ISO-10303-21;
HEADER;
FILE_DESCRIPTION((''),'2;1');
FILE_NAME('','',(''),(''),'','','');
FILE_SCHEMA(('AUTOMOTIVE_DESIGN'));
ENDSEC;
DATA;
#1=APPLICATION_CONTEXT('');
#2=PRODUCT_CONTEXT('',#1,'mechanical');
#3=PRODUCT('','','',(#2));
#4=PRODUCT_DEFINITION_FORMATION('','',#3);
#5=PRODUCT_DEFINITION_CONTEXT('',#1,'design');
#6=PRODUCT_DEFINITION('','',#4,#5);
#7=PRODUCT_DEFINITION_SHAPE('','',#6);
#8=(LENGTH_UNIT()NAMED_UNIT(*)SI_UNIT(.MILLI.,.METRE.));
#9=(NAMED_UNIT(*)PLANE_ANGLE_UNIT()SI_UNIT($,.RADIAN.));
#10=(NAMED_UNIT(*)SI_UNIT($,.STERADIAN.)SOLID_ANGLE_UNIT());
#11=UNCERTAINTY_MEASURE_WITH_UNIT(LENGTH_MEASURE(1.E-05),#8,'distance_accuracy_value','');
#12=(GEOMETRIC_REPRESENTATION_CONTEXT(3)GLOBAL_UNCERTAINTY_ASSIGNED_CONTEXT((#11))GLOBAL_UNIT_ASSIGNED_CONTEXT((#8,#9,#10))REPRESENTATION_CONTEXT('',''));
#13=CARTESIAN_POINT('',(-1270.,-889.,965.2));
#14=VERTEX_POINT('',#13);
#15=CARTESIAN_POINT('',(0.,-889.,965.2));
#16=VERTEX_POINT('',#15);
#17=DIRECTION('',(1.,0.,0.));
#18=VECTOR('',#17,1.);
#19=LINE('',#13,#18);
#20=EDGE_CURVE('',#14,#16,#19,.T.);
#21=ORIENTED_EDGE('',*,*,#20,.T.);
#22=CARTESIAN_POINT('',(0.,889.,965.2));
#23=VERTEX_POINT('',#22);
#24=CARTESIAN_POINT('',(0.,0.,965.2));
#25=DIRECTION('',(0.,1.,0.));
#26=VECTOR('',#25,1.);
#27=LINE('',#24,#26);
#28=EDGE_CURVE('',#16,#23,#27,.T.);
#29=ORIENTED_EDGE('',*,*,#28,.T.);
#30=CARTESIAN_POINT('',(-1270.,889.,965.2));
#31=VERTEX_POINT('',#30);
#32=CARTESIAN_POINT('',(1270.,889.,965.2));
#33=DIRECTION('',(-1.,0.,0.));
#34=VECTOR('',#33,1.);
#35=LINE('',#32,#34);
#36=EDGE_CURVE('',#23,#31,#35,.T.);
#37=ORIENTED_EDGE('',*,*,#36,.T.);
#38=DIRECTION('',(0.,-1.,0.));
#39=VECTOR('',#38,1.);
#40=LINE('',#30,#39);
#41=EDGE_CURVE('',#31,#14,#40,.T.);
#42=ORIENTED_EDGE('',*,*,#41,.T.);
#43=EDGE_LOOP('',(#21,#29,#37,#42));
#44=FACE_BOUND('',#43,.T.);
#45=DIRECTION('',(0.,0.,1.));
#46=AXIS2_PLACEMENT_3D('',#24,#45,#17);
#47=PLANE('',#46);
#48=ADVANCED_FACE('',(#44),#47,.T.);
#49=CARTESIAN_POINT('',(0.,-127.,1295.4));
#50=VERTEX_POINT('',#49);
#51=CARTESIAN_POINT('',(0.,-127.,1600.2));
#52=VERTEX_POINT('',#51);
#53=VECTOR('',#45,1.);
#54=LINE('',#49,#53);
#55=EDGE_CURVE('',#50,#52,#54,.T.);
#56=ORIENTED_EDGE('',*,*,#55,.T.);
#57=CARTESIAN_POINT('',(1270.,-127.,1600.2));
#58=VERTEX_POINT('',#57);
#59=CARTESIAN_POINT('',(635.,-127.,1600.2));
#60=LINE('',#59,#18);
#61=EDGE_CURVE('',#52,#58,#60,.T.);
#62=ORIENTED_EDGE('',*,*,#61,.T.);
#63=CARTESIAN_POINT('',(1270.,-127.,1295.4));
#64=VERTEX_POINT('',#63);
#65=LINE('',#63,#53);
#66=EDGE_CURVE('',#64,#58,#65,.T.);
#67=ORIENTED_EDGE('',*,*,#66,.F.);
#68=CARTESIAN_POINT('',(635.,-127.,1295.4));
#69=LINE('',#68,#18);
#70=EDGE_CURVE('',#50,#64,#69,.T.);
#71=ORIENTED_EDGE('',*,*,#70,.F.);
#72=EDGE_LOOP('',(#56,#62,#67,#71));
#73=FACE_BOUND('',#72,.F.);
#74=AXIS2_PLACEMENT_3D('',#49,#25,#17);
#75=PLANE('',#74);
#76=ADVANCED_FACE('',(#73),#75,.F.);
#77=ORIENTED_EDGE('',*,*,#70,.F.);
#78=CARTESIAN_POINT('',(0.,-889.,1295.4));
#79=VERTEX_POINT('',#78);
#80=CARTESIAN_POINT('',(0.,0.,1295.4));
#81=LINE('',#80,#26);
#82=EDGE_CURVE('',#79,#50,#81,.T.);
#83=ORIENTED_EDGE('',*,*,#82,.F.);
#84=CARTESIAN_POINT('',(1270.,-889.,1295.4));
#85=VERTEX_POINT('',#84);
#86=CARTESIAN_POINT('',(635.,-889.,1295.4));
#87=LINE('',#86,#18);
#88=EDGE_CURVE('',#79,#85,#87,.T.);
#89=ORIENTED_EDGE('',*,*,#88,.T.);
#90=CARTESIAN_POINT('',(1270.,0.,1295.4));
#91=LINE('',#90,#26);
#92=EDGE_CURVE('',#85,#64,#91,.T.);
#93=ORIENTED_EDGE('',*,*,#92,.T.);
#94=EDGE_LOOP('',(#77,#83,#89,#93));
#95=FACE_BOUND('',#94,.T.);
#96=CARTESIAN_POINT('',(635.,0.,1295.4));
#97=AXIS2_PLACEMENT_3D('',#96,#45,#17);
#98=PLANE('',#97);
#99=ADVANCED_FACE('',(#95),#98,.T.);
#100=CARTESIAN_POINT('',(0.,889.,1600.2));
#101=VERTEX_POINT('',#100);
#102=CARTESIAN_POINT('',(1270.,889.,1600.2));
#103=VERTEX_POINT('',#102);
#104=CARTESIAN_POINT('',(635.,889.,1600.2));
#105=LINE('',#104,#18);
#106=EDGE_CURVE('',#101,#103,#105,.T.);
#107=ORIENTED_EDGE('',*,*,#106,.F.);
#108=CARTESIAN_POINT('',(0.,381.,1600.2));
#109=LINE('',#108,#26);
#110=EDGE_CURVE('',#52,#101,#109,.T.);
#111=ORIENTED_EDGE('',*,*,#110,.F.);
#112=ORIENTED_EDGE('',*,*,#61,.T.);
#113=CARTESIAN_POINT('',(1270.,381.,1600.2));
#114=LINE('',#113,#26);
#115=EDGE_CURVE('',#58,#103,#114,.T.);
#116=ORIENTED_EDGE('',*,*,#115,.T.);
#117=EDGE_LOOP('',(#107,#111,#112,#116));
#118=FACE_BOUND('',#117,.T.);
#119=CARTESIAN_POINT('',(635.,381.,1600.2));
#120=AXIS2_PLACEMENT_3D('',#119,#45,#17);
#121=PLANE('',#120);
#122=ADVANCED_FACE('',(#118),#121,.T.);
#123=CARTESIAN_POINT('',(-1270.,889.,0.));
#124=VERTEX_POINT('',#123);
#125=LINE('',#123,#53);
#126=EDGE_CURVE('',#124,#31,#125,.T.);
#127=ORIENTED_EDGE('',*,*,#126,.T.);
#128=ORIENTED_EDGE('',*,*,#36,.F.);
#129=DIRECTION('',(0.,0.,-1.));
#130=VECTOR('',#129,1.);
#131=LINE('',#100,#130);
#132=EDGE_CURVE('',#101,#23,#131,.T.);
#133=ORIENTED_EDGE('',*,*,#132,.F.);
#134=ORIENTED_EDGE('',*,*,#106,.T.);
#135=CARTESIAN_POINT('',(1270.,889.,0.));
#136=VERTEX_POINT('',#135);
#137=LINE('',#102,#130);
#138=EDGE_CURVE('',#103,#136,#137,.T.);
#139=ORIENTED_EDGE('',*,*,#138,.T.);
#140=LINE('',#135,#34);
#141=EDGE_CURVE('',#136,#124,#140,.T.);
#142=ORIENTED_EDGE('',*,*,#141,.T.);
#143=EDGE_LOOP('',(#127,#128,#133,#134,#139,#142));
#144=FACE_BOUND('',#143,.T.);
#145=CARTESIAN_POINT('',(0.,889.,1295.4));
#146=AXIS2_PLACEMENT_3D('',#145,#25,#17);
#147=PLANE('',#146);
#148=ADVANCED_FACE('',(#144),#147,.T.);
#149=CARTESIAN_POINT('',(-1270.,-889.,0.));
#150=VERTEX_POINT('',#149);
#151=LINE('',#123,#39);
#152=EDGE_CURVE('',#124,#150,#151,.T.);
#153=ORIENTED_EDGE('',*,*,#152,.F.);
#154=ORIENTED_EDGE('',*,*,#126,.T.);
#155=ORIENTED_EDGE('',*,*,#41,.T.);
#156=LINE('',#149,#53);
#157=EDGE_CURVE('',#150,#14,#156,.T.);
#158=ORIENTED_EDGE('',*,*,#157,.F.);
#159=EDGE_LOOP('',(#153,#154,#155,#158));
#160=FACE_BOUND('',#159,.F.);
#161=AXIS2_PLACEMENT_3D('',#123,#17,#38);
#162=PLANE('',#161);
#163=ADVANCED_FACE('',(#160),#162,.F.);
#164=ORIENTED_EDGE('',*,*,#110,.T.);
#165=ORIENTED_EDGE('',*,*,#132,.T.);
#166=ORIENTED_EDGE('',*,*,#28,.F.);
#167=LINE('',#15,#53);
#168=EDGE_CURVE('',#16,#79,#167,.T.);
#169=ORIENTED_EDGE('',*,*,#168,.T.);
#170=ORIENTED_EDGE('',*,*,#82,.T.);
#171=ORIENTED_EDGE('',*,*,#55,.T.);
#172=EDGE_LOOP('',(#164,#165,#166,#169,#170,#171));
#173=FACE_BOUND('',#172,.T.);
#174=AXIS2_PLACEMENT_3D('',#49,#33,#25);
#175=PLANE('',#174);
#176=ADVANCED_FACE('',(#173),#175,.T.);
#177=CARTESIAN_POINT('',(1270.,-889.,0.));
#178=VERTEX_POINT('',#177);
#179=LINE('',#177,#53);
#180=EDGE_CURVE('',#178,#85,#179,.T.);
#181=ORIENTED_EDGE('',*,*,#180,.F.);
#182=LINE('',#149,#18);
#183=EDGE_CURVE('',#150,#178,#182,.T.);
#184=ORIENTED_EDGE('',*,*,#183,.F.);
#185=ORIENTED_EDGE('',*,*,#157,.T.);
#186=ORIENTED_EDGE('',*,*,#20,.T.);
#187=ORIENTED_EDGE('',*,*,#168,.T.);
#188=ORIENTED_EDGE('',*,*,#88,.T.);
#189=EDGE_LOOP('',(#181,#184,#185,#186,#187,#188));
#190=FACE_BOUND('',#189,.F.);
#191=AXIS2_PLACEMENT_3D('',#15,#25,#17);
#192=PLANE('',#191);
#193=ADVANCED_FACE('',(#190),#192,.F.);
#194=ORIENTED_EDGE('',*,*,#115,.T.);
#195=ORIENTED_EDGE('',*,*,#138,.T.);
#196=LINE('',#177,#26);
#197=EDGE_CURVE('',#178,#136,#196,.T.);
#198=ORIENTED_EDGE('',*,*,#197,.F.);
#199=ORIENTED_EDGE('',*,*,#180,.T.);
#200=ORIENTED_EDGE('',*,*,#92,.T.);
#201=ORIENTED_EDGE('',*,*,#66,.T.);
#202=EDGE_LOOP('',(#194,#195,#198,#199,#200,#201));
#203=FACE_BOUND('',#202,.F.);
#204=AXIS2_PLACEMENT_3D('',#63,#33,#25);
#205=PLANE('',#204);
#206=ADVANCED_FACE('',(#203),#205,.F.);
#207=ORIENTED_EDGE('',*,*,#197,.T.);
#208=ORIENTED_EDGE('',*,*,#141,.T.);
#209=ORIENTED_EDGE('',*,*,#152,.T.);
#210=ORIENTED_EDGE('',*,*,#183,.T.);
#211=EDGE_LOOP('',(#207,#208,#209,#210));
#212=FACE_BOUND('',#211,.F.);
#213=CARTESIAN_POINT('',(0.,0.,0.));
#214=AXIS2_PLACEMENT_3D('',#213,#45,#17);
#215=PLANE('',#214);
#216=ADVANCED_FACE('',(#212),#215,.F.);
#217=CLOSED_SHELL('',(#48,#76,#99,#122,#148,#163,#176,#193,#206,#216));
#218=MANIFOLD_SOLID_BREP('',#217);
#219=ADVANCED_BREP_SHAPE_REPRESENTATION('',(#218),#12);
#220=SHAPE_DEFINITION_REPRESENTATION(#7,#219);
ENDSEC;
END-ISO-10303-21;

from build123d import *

# Parameters (mm, degrees)
F1_DEPTH = 965.2
F2_W     = 1270
F2_H     = 1778
F3_DEPTH = 330.2
F4_W     = 1270
F4_H     = 1016
F5_DEPTH = 304.8


with BuildPart() as f1:
    # F0 (on Top) → F1 (new body)
    with BuildSketch(Plane.XY):
        Polygon((-1270, -889), (0, -889), (1270, -889), (1270, 889), (-1016, 889), (-1270, 889), align=None)
    extrude(amount=F1_DEPTH)

    # F2 (on face) → F3 (join)
    with BuildSketch(Plane.XY.offset(965.2)):
        with Locations((635, 0)):
            Rectangle(F2_W, F2_H)
    extrude(amount=F3_DEPTH)

    # F4 (on face) → F5 (join)
    with BuildSketch(Plane.XY.offset(1295.4)):
        with Locations((635, 381)):
            Rectangle(F4_W, F4_H)
    extrude(amount=F5_DEPTH)


solid = f1.part
